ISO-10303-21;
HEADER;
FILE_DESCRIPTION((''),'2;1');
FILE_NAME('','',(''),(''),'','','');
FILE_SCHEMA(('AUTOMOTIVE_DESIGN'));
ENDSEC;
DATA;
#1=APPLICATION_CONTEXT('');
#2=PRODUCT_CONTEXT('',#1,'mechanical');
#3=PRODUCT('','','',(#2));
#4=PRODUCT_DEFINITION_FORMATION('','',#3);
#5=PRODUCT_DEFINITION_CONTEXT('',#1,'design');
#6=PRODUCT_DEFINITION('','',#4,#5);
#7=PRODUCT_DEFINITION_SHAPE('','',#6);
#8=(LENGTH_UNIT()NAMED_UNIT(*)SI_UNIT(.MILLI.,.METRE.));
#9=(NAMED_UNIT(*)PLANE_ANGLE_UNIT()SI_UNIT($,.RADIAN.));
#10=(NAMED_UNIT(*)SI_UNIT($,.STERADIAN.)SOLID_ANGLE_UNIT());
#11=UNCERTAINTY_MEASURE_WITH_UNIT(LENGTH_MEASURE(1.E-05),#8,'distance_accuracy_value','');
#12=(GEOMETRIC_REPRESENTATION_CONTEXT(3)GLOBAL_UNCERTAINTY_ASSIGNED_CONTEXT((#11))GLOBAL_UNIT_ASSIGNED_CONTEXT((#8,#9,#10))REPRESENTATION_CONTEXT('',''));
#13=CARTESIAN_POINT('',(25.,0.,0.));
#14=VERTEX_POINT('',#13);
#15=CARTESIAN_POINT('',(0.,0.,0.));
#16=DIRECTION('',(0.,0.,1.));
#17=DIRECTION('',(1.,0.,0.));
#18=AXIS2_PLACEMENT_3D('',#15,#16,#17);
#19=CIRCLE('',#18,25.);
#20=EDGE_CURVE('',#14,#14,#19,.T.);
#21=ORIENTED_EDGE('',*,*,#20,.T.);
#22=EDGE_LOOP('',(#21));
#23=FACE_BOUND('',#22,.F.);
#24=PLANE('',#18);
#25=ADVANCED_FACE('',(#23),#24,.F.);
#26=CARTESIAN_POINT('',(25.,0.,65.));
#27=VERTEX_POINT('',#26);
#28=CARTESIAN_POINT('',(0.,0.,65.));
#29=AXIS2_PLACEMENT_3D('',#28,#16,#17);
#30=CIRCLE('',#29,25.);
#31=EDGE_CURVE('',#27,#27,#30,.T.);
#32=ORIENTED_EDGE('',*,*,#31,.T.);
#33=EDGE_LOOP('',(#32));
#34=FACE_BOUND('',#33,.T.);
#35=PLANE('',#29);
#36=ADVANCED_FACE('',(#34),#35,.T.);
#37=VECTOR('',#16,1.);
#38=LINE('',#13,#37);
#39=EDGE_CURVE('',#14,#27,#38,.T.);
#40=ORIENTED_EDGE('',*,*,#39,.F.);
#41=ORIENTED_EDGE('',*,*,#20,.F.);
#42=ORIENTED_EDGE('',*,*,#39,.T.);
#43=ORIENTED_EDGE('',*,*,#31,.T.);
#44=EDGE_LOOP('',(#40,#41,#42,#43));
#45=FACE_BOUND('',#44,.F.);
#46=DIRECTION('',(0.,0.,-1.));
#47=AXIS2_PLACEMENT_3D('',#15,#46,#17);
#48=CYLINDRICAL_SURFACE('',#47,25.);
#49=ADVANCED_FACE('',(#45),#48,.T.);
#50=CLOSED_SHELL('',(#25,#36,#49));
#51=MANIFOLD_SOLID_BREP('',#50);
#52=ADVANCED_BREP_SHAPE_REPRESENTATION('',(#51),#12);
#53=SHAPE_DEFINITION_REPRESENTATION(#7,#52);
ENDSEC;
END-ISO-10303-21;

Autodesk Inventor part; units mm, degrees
ref_plane "YZ Plane" through (0, 0, 0) normal (1, 0, 0) x (0, 1, 0)
ref_plane "XZ Plane" through (0, 0, 0) normal (0, 1, 0) x (-1, 0, 0)
ref_plane "XY Plane" through (0, 0, 0) normal (0, 0, 1) x (1, 0, 0)
sketch "Sketch1" plane through (0, 0, 0) normal (0, 0, 1) x (1, 0, 0)
  circle A0 centre (0, 0) radius 25
  dimension "d0" = 50
extrude "Extrusion1" add sketch "Sketch1" along normal blind 65
properties part number "Odrive D5065" material "Aluminum 6061"
